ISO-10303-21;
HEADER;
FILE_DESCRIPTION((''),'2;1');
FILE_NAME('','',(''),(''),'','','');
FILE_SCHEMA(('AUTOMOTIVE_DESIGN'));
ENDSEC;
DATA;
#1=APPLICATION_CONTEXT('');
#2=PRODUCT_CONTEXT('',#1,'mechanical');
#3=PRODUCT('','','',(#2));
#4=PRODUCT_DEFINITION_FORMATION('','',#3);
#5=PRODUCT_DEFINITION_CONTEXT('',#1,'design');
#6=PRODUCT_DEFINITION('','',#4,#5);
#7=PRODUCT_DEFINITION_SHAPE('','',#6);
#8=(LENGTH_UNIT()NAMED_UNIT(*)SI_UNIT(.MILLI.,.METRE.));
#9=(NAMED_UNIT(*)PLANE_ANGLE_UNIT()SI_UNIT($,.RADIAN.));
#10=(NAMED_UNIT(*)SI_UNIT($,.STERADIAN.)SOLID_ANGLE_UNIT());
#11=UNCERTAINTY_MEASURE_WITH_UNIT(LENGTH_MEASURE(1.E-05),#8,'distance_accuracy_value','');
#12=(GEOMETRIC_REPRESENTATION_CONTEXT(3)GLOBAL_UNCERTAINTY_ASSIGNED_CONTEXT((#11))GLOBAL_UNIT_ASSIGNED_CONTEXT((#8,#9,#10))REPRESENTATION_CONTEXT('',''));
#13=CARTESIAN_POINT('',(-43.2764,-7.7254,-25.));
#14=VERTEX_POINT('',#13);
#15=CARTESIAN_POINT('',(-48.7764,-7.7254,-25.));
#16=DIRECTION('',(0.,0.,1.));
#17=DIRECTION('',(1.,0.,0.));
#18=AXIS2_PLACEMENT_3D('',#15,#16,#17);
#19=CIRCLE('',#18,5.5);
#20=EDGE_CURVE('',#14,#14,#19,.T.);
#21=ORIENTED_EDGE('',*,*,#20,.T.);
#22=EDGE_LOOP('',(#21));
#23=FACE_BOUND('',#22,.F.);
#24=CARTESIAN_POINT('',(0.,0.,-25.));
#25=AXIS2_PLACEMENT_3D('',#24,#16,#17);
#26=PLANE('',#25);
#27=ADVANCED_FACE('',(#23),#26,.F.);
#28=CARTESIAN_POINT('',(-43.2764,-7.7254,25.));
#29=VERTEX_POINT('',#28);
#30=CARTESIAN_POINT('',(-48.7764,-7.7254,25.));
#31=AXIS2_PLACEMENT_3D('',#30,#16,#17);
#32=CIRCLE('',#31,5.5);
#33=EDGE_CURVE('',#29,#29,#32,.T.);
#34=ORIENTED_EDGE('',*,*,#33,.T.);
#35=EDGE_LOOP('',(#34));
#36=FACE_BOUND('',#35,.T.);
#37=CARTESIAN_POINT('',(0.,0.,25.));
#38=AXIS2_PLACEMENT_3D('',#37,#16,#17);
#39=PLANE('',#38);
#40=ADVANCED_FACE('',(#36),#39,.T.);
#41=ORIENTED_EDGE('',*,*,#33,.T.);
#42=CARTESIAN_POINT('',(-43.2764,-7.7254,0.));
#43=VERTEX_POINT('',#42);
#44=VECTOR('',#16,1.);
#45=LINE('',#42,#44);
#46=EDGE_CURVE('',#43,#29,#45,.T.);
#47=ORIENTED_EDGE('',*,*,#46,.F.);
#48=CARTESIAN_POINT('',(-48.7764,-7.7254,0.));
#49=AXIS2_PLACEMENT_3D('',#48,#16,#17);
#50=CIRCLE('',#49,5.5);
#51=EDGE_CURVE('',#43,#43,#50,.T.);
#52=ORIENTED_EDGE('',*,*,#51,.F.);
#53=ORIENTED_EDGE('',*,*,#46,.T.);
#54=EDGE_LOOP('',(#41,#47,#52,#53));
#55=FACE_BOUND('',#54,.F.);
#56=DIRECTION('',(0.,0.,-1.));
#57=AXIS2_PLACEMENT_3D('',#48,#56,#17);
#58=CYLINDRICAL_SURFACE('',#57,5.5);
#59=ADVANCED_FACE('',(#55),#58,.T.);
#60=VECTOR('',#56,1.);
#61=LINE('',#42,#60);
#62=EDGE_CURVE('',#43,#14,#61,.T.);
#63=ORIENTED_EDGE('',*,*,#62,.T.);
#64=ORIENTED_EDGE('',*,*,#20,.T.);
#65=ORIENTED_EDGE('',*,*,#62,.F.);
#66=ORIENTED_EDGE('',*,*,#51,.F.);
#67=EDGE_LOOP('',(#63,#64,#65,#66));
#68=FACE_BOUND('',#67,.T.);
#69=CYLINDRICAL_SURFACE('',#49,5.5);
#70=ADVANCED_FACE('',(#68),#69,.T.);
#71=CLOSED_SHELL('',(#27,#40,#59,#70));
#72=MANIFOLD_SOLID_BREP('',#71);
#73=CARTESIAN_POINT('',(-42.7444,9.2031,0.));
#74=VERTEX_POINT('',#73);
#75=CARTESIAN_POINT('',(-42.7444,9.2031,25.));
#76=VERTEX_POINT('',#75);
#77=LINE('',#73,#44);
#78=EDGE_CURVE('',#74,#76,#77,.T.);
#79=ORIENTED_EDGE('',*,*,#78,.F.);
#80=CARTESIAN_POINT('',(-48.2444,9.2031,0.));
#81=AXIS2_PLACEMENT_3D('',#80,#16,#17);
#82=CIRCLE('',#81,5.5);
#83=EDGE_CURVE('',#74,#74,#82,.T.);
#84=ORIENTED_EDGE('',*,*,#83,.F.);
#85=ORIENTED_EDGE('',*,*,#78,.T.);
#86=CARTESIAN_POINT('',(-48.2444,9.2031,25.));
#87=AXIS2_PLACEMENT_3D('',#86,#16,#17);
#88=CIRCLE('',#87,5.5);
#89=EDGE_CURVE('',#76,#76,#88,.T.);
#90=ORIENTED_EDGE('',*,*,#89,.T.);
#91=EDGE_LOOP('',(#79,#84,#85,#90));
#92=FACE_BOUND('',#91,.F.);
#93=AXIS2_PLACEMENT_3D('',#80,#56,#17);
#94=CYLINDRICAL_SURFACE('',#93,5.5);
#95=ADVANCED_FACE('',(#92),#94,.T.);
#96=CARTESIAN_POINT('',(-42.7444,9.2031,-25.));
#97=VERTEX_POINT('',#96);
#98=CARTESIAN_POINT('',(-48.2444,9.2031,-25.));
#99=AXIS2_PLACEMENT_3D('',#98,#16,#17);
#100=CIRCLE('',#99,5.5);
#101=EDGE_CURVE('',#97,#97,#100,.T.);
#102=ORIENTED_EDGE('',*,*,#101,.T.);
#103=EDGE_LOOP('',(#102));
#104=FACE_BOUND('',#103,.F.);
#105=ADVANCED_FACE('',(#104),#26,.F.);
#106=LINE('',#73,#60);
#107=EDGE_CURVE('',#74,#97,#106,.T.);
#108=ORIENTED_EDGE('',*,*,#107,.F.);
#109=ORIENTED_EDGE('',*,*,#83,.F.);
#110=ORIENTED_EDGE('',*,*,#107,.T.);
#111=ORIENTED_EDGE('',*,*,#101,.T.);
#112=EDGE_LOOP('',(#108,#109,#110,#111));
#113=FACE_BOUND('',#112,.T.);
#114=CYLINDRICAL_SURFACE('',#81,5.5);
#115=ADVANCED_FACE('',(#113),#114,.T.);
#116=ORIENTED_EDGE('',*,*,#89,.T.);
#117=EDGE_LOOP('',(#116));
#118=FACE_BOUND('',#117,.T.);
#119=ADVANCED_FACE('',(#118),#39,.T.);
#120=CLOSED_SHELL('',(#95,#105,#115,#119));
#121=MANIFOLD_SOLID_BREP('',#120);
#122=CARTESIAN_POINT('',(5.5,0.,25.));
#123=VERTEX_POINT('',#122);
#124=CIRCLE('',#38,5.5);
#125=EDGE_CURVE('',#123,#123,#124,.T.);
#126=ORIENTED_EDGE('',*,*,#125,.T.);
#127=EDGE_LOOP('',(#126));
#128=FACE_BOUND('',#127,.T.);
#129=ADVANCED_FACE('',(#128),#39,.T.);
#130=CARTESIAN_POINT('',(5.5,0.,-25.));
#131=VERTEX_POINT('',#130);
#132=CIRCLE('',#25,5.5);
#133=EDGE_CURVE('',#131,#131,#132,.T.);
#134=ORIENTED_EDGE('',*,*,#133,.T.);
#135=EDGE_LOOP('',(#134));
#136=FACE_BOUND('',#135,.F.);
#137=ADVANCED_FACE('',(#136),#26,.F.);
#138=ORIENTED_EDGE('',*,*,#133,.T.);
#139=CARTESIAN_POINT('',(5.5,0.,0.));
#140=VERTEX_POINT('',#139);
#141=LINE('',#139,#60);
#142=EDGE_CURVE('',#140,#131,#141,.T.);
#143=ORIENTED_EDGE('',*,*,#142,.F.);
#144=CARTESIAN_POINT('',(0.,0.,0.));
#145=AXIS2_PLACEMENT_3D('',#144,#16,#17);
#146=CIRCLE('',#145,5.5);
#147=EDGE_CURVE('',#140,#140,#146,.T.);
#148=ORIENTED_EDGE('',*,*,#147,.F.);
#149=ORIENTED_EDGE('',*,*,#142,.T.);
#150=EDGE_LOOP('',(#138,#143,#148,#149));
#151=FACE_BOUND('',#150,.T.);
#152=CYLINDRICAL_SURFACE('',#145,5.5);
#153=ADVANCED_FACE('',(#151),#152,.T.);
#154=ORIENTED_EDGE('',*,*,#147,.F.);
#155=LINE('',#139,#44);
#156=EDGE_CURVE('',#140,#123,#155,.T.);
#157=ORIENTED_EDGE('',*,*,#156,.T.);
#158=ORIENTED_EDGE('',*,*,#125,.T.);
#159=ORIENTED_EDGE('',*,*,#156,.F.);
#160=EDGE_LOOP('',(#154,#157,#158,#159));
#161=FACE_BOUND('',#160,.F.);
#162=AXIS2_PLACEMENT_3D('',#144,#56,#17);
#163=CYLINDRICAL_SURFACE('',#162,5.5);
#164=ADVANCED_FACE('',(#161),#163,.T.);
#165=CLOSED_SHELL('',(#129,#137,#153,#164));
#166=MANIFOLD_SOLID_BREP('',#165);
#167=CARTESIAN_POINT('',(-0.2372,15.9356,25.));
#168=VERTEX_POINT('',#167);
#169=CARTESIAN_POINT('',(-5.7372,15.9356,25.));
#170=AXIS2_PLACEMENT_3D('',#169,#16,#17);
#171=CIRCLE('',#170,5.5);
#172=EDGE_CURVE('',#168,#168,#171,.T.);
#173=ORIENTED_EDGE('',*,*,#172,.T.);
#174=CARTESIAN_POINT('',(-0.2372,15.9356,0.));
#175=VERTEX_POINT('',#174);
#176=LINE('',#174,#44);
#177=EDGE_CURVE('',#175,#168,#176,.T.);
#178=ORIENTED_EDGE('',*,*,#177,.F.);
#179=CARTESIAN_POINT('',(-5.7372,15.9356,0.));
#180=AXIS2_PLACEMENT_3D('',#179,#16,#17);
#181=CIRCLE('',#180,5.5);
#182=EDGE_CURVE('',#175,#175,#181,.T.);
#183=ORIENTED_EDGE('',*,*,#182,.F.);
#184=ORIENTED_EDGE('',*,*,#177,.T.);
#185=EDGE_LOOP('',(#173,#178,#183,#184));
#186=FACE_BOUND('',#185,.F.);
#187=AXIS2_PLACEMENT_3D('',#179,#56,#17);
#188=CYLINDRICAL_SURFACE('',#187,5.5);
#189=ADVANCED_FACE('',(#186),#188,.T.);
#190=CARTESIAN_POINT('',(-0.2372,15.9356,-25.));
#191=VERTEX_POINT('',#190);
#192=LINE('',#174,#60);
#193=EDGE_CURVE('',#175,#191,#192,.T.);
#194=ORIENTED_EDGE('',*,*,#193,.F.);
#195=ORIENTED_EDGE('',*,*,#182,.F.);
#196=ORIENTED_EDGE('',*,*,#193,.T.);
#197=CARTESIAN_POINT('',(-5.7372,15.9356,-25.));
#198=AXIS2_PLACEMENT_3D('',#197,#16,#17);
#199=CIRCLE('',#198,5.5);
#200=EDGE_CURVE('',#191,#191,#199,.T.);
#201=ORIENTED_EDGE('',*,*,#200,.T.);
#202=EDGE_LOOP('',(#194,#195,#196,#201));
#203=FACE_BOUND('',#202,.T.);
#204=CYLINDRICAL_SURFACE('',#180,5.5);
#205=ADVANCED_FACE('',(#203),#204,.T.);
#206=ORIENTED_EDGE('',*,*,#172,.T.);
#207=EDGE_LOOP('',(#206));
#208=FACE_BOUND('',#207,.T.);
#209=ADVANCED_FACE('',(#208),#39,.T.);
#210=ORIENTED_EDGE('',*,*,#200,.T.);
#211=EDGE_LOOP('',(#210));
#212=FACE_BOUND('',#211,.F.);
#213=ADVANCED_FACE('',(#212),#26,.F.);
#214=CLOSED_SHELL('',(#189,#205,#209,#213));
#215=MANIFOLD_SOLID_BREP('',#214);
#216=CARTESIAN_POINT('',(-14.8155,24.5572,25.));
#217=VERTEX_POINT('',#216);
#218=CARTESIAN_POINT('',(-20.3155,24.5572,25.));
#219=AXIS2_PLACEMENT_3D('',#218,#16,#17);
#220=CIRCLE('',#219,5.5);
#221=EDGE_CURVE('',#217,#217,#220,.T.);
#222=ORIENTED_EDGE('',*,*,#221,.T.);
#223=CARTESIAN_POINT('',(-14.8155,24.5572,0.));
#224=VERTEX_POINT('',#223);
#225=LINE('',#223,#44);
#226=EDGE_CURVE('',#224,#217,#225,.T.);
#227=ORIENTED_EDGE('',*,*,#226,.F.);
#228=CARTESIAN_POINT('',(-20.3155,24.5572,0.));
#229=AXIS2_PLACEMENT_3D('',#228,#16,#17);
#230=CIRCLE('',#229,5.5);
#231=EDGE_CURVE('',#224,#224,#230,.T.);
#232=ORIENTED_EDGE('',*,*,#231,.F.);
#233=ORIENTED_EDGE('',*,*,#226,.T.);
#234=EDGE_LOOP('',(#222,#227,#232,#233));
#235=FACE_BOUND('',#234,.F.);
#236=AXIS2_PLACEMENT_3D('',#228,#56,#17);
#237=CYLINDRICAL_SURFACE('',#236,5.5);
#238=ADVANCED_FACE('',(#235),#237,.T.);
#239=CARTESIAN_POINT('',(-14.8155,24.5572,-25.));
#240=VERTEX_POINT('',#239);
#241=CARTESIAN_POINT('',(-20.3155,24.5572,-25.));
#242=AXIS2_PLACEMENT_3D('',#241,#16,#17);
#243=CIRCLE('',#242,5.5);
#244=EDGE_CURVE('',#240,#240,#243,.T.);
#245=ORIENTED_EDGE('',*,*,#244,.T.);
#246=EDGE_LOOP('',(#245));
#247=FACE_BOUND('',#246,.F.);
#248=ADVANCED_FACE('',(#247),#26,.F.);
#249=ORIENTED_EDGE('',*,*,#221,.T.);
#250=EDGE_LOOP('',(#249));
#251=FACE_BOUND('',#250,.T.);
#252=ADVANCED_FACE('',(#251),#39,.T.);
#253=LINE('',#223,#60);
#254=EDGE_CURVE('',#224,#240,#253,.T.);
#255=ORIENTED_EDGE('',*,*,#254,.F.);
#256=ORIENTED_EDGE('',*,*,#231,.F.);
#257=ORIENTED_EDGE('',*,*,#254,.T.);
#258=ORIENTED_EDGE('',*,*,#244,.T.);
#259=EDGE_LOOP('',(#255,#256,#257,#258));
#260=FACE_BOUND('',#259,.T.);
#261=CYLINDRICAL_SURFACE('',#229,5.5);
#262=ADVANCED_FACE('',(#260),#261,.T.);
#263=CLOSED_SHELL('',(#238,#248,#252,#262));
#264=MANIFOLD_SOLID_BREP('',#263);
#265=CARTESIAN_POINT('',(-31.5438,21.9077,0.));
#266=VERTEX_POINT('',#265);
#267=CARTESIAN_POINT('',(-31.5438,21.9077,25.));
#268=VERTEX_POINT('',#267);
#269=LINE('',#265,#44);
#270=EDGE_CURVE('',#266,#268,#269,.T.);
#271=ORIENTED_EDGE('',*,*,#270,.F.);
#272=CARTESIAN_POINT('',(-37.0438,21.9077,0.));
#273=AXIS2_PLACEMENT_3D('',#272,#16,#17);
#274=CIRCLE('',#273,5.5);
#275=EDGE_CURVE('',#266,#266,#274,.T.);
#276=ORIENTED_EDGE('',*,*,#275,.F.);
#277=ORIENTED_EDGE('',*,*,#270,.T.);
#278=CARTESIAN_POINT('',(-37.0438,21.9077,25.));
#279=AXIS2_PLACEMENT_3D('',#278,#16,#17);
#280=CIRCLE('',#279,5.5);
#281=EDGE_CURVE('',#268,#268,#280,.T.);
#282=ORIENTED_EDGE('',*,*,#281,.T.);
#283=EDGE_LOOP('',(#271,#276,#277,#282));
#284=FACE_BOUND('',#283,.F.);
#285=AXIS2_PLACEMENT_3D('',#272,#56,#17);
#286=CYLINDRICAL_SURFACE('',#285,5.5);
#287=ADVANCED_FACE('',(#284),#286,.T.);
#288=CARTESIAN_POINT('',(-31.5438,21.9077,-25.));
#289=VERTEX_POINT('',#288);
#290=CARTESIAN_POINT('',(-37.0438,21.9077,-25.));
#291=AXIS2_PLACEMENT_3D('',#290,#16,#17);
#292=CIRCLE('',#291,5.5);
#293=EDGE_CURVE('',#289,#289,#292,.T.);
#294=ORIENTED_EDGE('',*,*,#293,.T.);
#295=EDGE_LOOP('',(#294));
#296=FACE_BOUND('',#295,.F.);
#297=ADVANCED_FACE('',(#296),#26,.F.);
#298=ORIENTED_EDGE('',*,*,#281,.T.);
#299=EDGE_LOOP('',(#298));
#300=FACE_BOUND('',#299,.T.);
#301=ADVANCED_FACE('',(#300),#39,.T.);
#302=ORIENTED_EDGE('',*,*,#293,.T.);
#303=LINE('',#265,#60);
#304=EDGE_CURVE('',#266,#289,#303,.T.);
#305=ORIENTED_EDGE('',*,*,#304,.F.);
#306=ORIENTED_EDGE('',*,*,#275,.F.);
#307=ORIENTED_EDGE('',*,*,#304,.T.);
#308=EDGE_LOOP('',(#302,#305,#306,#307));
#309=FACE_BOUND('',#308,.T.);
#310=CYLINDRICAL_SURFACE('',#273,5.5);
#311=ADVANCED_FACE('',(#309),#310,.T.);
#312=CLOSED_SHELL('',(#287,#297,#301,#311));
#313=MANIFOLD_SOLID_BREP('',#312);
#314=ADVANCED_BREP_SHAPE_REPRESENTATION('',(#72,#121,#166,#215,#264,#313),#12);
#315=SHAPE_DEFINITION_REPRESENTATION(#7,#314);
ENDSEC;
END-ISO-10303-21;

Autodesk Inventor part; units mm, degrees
ref_plane "YZ Plane" through (0, 0, 0) normal (1, 0, 0) x (0, 1, 0)
ref_plane "XZ Plane" through (0, 0, 0) normal (0, 1, 0) x (-1, 0, 0)
ref_plane "XY Plane" through (0, 0, 0) normal (0, 0, 1) x (1, 0, 0)
ref_plane "Work Plane1" through (0, 0, 0) normal (0, 0, 1) x (1, 0, 0)
sketch "Sketch1" plane through (0, 0, 0) normal (0, 0, 1) x (1, 0, 0)
  circle A0 centre (-48.7764, -7.7254) radius 5.5 projected
  circle A1 centre (-48.2444, 9.2031) radius 5.5 projected
  circle A2 centre (-37.0438, 21.9077) radius 5.5 projected
  circle A3 centre (-20.3155, 24.5572) radius 5.5 projected
  circle A4 centre (-5.7372, 15.9356) radius 5.5 projected
  circle A5 centre (0, 0) radius 5.5 projected
  arc A6 (-6.9193, 6.5094) -> (1.1822, 9.4262) centre (0, 0) ccw projected
  arc A7 (1.1822, 9.4262) -> (-10.8348, 23.9521) centre (-5.7372, 15.9356) ccw projected
  arc A8 (-10.8348, 23.9521) -> (-29.3531, 27.4847) centre (-20.3155, 24.5572) ccw projected
  arc A9 (-29.3531, 27.4847) -> (-45.8736, 18.4025) centre (-37.0438, 21.9077) ccw projected
  arc A10 (-45.8736, 18.4025) -> (-52.8136, 0.8741) centre (-48.2444, 9.2031) ccw projected
  arc A11 (-52.8136, 0.8741) -> (-44.2073, 0.6036) centre (-48.7764, -7.7254) ccw projected
  arc A12 (-44.2073, 0.6036) -> (-39.4147, 12.7083) centre (-48.2444, 9.2031) ccw projected
  arc A13 (-39.4147, 12.7083) -> (-28.0062, 18.9802) centre (-37.0438, 21.9077) ccw projected
  arc A14 (-28.0062, 18.9802) -> (-15.2179, 16.5407) centre (-20.3155, 24.5572) ccw projected
  arc A15 (-15.2179, 16.5407) -> (-6.9193, 6.5094) centre (-5.7372, 15.9356) ccw projected
  point P0 (0, 0)
extrude "Extrusion1" add sketch "Sketch1" along normal mid plane 50 contours A0 | A1 | A2 | A3 | A4 | A5
properties part number "cut hole in pelvis"
